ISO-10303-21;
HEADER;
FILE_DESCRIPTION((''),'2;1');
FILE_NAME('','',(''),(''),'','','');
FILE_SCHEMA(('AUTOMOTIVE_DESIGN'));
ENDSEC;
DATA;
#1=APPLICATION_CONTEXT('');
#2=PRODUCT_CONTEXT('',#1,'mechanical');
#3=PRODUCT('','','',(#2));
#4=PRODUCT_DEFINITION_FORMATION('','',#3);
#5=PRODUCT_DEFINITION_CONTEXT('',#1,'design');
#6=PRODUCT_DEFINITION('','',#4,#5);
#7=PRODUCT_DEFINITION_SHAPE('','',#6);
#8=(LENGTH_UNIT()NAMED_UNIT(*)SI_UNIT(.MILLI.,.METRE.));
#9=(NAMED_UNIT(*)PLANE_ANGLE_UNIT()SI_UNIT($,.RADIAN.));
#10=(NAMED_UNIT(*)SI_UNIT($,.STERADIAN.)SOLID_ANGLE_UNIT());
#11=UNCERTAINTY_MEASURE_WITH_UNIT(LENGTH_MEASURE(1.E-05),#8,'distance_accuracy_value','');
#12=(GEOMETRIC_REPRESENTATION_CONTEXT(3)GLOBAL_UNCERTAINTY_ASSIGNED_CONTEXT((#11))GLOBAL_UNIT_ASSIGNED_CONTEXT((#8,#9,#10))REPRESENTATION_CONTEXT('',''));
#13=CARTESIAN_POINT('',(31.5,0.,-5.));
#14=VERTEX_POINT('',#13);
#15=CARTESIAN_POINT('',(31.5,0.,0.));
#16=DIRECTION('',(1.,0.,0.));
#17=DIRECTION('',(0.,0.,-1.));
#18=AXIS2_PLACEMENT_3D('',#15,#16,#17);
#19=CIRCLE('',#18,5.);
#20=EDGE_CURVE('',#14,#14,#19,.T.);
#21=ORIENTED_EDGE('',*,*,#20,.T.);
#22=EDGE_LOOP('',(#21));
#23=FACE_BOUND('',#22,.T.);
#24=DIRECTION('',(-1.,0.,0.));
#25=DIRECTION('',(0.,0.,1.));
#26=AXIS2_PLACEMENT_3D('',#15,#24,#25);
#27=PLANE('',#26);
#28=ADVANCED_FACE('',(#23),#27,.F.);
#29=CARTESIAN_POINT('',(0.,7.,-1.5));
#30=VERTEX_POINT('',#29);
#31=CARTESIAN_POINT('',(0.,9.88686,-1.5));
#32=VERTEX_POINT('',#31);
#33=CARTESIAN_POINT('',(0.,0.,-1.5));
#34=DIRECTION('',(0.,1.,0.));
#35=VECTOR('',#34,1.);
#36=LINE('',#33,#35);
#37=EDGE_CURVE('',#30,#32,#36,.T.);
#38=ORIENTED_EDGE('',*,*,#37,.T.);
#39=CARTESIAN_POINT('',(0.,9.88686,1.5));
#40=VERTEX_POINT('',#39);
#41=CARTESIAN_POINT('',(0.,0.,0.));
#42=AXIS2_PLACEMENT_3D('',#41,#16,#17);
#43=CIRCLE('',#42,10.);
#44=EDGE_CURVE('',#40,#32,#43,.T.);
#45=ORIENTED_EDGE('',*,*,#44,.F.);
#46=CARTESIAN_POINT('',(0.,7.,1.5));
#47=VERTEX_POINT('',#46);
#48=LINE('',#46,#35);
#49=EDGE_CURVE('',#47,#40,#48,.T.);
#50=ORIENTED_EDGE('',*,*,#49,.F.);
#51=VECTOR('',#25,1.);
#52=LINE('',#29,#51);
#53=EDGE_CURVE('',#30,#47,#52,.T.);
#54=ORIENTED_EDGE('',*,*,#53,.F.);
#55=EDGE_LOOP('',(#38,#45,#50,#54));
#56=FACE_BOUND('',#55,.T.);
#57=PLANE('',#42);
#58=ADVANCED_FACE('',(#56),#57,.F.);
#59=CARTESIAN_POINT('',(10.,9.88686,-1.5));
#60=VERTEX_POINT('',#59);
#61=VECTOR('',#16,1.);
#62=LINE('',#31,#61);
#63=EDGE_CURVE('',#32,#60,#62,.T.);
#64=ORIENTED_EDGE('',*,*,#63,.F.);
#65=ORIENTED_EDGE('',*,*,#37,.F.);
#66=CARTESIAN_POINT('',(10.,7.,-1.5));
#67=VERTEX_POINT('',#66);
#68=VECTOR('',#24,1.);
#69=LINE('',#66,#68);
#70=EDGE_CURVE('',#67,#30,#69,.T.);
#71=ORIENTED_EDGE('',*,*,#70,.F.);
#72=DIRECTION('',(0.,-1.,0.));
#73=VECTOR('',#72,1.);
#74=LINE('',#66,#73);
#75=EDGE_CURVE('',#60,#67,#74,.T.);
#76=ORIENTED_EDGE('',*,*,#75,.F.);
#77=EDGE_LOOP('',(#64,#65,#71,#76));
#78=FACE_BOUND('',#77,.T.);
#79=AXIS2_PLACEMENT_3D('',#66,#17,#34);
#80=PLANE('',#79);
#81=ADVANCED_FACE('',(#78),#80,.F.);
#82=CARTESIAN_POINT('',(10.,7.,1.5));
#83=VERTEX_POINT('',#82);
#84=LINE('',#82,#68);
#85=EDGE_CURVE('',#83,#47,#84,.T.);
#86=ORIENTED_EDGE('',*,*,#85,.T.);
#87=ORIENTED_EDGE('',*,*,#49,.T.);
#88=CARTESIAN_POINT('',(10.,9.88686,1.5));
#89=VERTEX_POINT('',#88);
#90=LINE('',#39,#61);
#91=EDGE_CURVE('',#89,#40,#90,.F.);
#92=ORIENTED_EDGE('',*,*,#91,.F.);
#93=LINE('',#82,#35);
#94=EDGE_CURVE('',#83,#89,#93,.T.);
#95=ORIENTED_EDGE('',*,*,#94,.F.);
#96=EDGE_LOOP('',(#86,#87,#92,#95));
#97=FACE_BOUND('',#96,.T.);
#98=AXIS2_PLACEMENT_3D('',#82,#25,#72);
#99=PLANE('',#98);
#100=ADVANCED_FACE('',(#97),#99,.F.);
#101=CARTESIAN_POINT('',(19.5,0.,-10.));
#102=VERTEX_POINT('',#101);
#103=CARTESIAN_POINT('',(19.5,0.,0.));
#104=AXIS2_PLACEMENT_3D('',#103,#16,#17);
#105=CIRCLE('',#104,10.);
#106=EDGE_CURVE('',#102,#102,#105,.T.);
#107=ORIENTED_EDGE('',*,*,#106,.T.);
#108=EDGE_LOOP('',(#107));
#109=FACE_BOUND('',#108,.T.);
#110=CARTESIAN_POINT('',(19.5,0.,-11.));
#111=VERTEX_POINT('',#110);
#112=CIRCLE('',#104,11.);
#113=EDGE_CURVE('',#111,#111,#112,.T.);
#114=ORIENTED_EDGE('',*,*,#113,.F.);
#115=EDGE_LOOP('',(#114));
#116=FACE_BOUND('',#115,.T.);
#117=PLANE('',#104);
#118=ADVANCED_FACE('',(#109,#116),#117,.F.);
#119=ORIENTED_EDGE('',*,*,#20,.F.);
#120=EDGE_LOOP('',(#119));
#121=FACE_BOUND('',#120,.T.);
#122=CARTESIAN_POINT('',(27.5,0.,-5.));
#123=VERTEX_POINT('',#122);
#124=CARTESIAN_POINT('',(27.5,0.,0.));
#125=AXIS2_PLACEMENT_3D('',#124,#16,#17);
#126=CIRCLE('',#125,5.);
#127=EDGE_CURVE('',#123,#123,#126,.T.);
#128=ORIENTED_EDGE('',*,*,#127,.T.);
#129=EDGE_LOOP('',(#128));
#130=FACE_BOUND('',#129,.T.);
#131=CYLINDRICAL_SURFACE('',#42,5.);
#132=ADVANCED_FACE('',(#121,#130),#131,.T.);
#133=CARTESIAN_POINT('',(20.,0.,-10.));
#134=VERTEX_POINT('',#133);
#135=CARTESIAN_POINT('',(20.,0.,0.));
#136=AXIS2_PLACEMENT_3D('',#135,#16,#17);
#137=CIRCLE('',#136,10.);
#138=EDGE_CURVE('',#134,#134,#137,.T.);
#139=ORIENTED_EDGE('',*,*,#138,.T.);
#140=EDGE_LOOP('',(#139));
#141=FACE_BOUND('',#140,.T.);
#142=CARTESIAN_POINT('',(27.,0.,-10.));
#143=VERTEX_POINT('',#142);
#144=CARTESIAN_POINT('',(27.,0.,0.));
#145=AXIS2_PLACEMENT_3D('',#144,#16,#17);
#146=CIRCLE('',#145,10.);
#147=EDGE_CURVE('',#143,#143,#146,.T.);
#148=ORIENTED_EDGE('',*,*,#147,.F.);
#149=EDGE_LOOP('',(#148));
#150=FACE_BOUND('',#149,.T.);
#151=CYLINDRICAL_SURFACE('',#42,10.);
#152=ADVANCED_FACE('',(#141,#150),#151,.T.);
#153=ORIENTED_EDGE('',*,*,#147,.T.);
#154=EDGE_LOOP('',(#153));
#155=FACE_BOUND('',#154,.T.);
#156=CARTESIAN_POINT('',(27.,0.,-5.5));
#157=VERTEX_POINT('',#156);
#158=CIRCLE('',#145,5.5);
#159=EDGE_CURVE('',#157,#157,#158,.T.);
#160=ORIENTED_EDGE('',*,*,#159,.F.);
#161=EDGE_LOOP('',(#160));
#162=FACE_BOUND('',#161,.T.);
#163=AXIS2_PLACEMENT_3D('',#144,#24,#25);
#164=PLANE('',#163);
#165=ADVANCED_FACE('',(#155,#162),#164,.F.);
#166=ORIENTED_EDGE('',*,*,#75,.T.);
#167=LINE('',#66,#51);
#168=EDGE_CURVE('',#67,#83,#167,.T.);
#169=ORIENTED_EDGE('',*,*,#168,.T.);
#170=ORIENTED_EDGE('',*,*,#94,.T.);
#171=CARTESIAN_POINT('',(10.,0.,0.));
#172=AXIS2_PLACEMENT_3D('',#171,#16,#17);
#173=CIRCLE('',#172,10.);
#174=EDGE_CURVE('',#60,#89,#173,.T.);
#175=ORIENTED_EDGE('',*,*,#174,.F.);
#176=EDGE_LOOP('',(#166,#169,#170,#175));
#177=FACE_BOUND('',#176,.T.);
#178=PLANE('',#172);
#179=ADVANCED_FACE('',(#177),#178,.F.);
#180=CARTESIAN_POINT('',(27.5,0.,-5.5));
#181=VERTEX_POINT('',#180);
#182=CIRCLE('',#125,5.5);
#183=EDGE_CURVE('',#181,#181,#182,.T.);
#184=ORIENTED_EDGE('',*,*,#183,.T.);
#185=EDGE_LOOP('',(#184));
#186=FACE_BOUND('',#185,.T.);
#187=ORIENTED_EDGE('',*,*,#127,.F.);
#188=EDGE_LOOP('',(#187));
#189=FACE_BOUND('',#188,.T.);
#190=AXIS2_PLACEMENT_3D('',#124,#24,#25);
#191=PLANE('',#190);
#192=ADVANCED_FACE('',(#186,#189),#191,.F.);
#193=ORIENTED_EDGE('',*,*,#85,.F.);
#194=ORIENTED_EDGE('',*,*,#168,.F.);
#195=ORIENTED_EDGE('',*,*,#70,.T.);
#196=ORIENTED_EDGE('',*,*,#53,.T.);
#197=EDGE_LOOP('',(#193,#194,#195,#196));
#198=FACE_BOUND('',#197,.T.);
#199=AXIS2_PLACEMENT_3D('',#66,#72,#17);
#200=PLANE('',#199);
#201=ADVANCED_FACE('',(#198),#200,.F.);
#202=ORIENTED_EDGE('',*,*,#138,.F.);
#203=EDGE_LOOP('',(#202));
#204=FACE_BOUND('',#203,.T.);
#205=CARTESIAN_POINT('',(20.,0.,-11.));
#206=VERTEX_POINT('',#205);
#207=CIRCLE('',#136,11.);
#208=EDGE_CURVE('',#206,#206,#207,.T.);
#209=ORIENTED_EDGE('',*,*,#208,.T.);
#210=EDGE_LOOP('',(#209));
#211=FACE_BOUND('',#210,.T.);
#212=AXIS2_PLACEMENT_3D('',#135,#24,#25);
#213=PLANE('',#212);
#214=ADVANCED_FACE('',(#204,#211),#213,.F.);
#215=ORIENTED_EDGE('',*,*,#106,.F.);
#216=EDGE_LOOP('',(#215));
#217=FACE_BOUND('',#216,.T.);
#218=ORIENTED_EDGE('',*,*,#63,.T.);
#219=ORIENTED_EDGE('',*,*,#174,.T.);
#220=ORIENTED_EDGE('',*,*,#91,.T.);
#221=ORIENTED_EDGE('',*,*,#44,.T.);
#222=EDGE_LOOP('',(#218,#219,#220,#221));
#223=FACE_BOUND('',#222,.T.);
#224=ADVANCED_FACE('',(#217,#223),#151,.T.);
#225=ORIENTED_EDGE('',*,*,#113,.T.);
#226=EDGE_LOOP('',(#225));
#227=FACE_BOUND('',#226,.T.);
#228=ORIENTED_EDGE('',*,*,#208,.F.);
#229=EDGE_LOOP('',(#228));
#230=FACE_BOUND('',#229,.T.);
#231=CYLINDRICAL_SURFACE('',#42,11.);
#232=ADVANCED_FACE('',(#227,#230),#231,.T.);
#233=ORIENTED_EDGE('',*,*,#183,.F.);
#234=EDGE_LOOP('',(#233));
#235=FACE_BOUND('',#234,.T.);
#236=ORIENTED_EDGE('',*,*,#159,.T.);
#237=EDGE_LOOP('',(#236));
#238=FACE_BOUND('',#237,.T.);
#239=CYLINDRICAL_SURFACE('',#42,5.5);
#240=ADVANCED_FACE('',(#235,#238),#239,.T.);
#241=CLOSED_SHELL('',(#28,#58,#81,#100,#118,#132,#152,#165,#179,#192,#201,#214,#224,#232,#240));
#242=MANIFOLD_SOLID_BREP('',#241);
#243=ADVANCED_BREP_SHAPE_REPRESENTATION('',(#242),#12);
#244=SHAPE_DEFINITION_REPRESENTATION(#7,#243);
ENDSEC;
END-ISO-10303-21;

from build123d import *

# Parameters (mm, degrees)
SKETCH1_W          = 0.5
SKETCH1_H          = 1
SKETCH2_W          = 3
SKETCH2_H          = 6
CUT_EXTRUDE1_DEPTH = 10


with BuildPart() as part:
    # Sketch1 → Revolve1 (revolve)
    with BuildSketch(Plane.XY, mode=Mode.PRIVATE) as revolve1_sk:
        Polygon((31.5, 0), (0, 0), (0, 10), (27, 10), (27, 5.5), (27.5, 5.5), (27.5, 5), (31.5, 5), align=None)
        with Locations((19.75, 10.5)):
            Rectangle(SKETCH1_W, SKETCH1_H)
    revolve(revolve1_sk.sketch.rotate(Axis((0, 0, 0), (-1, 0, 0)), 90), axis=Axis((0, 0, 0), (-1, 0, 0)))

    # Sketch2 → Cut-Extrude1 (cut)
    with BuildSketch(Plane.ZY):
        with Locations((0, 10)):
            Rectangle(SKETCH2_W, SKETCH2_H)
    extrude(amount=-CUT_EXTRUDE1_DEPTH, mode=Mode.SUBTRACT)


solid = part.part
